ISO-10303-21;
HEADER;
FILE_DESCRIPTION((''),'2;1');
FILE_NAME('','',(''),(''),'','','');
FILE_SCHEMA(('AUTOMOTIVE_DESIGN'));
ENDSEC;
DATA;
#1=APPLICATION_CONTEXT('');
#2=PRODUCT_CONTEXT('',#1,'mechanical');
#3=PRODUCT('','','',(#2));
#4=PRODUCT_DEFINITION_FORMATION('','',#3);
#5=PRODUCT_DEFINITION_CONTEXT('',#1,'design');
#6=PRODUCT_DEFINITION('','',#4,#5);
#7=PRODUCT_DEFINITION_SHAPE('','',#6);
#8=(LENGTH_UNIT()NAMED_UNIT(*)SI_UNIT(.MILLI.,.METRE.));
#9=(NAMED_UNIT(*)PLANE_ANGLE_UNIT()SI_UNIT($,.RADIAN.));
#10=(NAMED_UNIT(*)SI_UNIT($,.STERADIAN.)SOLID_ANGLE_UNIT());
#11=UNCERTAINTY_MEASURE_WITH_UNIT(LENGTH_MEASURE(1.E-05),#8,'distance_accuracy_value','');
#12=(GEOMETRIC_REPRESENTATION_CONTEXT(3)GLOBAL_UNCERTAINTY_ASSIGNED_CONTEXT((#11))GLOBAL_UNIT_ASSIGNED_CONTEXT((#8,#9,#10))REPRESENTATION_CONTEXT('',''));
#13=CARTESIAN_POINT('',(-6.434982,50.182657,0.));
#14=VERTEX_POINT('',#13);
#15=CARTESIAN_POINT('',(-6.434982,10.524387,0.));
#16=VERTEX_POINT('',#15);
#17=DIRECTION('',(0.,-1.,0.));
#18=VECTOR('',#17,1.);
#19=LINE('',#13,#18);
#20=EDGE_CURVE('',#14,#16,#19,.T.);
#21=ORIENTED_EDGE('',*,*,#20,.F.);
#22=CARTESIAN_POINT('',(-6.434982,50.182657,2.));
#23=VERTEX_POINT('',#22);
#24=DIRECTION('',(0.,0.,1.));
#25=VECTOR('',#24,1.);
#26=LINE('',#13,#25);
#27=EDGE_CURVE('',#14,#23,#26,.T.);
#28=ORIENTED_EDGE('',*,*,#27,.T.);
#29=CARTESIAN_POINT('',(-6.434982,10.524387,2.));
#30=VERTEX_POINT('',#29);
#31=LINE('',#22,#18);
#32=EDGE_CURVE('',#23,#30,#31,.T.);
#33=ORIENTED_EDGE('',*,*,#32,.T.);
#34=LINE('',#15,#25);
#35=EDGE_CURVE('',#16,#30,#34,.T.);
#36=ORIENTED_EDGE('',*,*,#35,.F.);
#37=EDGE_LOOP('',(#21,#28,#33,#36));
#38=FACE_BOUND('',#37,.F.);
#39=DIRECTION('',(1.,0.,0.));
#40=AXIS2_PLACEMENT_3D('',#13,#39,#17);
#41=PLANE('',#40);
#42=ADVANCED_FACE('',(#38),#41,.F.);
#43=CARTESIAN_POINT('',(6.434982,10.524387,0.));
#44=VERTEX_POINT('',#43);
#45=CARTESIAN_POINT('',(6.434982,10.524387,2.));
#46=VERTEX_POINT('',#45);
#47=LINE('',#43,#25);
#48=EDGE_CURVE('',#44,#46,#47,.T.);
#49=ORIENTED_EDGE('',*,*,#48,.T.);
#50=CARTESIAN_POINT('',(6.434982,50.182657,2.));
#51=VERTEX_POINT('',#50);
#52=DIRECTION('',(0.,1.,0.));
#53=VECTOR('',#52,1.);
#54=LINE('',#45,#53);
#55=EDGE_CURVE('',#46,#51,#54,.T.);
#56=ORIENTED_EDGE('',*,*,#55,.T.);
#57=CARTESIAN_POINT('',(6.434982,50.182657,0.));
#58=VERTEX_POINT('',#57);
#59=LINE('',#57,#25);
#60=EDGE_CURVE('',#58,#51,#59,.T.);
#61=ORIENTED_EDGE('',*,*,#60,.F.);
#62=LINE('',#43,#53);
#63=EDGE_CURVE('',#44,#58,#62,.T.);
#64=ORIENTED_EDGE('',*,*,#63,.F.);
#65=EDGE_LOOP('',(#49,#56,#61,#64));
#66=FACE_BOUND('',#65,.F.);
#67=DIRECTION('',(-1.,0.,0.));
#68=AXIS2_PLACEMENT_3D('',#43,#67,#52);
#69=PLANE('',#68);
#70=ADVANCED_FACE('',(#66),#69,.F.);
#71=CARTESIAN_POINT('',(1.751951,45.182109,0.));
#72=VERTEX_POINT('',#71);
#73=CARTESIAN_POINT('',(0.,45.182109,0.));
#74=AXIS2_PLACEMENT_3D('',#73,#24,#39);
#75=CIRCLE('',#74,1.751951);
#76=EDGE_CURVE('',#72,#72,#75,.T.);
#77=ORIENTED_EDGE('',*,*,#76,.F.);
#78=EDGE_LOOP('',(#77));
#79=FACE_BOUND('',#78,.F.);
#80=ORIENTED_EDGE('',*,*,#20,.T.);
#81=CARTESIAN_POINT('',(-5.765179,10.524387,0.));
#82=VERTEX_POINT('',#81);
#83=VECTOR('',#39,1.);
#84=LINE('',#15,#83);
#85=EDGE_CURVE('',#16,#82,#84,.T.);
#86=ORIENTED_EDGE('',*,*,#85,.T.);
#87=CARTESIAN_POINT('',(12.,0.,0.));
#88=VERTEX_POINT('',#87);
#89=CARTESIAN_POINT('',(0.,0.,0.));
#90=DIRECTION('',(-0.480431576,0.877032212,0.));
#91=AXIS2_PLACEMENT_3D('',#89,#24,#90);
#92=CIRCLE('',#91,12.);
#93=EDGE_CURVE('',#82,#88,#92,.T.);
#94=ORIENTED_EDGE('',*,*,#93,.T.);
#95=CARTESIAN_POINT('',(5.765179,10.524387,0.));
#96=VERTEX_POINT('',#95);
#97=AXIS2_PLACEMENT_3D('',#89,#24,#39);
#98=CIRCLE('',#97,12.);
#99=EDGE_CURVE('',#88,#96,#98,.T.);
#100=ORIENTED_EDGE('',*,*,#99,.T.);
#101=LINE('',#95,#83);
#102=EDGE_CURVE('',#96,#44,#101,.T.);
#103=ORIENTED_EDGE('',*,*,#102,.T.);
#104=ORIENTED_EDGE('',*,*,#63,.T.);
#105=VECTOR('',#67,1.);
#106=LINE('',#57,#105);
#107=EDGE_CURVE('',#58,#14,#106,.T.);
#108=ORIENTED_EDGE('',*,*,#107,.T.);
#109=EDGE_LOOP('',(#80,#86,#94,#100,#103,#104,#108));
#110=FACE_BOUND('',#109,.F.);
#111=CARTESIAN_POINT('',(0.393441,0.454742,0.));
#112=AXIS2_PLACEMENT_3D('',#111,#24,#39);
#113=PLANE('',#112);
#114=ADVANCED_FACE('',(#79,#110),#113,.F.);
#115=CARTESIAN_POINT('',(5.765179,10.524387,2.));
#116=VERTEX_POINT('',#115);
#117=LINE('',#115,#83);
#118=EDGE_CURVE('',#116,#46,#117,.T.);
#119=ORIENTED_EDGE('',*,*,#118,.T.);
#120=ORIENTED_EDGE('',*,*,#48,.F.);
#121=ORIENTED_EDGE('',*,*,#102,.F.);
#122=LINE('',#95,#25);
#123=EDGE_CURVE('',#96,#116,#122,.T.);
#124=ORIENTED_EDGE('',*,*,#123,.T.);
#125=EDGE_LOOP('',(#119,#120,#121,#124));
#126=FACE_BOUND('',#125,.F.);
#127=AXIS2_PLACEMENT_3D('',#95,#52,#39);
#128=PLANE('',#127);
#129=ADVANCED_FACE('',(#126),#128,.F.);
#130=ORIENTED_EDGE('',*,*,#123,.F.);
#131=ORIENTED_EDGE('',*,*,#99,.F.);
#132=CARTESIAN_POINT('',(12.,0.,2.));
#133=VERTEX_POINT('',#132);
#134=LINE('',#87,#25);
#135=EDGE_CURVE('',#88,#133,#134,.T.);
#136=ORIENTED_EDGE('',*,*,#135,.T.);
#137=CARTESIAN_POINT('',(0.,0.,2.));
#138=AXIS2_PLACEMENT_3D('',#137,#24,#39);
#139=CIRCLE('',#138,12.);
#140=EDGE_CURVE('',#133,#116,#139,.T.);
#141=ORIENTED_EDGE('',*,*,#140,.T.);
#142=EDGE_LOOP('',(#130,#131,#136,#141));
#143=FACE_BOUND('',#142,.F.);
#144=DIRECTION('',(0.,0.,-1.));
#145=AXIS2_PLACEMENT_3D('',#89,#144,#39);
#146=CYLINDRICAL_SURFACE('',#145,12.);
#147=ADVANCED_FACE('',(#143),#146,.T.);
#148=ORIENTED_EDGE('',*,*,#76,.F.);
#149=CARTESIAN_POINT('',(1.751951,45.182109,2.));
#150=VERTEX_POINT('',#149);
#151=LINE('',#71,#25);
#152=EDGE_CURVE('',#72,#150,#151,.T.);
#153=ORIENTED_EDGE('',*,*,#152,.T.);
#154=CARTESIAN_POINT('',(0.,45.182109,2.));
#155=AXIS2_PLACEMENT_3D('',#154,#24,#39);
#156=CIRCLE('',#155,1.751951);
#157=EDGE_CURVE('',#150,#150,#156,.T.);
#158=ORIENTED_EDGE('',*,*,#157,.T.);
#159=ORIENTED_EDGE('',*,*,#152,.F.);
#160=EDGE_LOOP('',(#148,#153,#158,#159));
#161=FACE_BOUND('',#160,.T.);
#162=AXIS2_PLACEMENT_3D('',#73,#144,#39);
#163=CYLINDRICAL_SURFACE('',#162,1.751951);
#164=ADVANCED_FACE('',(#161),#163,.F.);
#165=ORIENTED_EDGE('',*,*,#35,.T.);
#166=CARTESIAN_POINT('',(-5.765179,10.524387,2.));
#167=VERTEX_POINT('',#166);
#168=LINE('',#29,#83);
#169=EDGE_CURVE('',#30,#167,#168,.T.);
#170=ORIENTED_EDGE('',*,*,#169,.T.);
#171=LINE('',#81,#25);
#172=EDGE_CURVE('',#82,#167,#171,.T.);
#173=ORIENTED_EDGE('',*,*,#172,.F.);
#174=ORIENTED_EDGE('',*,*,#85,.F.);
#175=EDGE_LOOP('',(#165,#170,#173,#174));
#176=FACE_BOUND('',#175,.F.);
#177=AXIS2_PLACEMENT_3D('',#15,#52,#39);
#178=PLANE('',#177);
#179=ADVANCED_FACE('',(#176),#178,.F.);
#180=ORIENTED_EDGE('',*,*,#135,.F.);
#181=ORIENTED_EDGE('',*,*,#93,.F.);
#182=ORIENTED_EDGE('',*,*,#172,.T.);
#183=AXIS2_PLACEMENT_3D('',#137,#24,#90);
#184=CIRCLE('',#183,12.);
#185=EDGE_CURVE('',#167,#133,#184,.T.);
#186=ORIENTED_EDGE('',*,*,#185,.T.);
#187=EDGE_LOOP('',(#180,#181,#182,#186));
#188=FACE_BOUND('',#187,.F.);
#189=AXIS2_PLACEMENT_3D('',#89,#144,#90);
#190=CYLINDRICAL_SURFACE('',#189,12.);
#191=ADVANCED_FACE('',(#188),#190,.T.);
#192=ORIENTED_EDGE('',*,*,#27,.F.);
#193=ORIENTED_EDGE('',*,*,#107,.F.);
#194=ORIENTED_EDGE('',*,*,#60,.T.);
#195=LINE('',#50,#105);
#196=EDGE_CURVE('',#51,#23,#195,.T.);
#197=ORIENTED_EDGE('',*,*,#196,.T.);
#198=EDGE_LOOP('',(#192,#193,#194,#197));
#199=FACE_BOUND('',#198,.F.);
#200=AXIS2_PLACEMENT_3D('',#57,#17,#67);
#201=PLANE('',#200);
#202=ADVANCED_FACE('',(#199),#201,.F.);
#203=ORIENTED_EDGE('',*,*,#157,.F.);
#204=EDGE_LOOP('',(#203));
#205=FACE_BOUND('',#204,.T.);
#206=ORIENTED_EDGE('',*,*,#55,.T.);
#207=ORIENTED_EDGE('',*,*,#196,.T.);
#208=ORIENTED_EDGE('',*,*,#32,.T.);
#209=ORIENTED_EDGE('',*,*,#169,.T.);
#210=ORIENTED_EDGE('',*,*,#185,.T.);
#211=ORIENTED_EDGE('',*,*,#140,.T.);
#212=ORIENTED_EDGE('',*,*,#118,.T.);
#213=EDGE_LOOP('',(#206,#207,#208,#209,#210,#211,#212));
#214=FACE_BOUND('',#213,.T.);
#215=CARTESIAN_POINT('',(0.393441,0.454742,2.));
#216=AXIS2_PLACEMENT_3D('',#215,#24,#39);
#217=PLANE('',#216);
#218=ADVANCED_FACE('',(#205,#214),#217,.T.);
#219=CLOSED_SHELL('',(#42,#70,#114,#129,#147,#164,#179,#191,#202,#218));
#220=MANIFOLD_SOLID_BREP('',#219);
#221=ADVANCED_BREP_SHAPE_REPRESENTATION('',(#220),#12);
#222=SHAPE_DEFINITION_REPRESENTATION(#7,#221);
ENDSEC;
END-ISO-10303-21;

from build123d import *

# Parameters (mm, degrees)
F0_R     = 1.7519507574
F1_DEPTH = 2


with BuildPart() as f1:
    # F0 (on Top) → F1 (new body)
    with BuildSketch(Plane.XY):
        with BuildLine():
            ThreePointArc((-5.7651789179, 10.5243865401), (-6.1162837158, -10.3242953032), (12, 0))
            ThreePointArc((12, 0), (10.3242953032, 6.1162837158), (5.7651789179, 10.5243865401))
            Line((5.7651789179, 10.5243865401), (-5.7651789179, 10.5243865401))
        make_face()
        with BuildLine():
            Line((-5.7651789179, 10.5243865401), (5.7651789179, 10.5243865401))
            ThreePointArc((5.7651789179, 10.5243865401), (0, 12), (-5.7651789179, 10.5243865401))
        make_face()
        with BuildLine():
            ThreePointArc((-5.7651789179, 10.5243865401), (0, 12), (5.7651789179, 10.5243865401))
            Line((5.7651789179, 10.5243865401), (6.4349822933, 10.5243865401))
            Line((6.4349822933, 10.5243865401), (6.4349822933, 50.1826573163))
            Line((6.4349822933, 50.1826573163), (-6.4349822933, 50.1826573163))
            Line((-6.4349822933, 50.1826573163), (-6.4349822933, 10.5243865401))
            Line((-6.4349822933, 10.5243865401), (-5.7651789179, 10.5243865401))
        make_face()
        with Locations((0, 45.1821088791)):
            Circle(F0_R, mode=Mode.SUBTRACT)
    extrude(amount=F1_DEPTH)


solid = f1.part
